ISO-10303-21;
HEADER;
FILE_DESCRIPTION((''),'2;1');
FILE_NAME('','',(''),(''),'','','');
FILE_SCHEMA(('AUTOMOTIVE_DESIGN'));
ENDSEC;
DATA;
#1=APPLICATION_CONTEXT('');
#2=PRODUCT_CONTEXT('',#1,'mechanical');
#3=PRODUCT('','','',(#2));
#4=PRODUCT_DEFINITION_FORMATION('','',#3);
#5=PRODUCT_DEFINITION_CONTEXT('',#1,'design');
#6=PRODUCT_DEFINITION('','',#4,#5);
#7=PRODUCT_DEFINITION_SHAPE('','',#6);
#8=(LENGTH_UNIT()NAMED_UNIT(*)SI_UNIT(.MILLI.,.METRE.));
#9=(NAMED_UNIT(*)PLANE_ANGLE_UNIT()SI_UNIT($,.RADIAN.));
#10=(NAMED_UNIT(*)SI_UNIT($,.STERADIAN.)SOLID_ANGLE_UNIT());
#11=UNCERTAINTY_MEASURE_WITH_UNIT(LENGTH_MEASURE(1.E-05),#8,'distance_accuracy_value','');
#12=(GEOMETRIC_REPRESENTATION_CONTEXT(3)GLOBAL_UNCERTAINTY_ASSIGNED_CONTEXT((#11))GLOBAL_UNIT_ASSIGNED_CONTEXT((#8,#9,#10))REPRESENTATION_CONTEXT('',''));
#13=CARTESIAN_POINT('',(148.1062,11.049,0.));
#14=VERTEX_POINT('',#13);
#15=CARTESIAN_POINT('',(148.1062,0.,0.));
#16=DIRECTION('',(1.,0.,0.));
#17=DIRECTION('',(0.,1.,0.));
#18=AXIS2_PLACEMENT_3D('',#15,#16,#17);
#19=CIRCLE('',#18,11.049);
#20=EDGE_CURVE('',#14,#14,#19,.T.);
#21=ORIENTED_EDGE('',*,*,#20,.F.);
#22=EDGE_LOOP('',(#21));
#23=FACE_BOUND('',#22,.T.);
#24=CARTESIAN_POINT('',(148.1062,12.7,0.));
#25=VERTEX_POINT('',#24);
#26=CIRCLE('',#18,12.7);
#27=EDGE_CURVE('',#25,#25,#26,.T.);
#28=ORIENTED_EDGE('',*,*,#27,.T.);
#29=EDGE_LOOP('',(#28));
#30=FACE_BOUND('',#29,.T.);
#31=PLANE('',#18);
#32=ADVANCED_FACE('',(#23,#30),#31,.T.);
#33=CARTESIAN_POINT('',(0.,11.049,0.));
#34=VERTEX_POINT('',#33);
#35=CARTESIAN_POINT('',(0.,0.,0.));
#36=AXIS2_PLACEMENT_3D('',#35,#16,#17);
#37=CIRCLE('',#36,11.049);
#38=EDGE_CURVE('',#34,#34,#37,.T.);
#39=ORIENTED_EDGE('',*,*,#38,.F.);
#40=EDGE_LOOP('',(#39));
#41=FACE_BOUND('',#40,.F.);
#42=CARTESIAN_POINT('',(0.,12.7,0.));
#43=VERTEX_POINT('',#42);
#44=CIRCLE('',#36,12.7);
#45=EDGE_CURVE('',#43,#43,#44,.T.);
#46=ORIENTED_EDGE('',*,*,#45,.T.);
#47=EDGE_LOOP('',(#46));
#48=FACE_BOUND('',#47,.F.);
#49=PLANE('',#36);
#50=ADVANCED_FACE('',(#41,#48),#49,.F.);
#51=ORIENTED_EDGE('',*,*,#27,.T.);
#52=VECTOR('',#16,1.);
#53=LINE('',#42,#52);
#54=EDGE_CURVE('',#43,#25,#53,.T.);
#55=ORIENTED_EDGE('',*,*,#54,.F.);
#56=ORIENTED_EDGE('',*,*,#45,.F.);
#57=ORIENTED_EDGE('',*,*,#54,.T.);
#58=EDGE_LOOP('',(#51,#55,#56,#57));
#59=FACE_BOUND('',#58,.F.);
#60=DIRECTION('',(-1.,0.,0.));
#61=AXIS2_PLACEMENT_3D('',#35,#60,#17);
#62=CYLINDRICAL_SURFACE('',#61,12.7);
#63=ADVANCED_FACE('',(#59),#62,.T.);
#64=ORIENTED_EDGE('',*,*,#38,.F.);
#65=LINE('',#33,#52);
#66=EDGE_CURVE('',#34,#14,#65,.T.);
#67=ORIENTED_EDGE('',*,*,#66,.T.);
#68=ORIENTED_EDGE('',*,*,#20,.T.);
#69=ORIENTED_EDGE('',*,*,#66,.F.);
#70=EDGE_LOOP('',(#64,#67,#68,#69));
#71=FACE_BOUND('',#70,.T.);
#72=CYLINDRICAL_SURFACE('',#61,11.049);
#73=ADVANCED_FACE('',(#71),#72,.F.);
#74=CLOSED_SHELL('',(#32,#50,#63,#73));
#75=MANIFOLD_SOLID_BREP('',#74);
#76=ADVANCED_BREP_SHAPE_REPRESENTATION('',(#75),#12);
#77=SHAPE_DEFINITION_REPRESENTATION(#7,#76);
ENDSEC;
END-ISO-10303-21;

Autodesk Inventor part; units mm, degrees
ref_plane "XZ Plane" through (0, 0, 0) normal (0, 1, 0) x (-1, 0, 0)
ref_plane "Start Plane" through (0, 0, 0) normal (1, 0, 0) x (0, 1, 0)
ref_plane "End Plane" through (148.1062, 0, 0) normal (1, 0, 0) x (0, 1, 0)
sketch "Sketch" plane through (0, 0, 0) normal (1, 0, 0) x (0, 1, 0)
  circle A0 centre (0, 0) radius 12.7
  circle A1 centre (0, 0) radius 11.049
  dimension "d0" = 25.4
  dimension "d1" = 1.651
extrude "Body" add sketch "Sketch" along normal up to surface (148.1062 mm away) from surface at 0
sketch "Sketch2" plane through (0, 0, 0) normal (1, 0, 0) x (0, 1, 0)
  line L0 (0, 0) -> (10, 0)
ref_plane "Work Plane3" through (0, 0, 0) normal (0, 0, -1) x (0, 1, 0)
sketch "Sketch3" plane through (0, 0, 0) normal (0, 0, -1) x (0, 1, 0)
  line L0 (-2, 0) -> (12, 0)
  line L1 (-2, 148.1062) -> (12, 148.1062)
  dimension "d9" = 148.1062
equation "\"G_OFFSET_START\" = 0"
equation "\"G_OFFSET_END\" = 0"
equation "\"d5\" = d2 + G_OFFSET_END"
equation "\"G_L\" = d9"
equation "\"d2\" = 148.106178"
properties part number "4130_1x0.065" material "Steel, Alloy"
